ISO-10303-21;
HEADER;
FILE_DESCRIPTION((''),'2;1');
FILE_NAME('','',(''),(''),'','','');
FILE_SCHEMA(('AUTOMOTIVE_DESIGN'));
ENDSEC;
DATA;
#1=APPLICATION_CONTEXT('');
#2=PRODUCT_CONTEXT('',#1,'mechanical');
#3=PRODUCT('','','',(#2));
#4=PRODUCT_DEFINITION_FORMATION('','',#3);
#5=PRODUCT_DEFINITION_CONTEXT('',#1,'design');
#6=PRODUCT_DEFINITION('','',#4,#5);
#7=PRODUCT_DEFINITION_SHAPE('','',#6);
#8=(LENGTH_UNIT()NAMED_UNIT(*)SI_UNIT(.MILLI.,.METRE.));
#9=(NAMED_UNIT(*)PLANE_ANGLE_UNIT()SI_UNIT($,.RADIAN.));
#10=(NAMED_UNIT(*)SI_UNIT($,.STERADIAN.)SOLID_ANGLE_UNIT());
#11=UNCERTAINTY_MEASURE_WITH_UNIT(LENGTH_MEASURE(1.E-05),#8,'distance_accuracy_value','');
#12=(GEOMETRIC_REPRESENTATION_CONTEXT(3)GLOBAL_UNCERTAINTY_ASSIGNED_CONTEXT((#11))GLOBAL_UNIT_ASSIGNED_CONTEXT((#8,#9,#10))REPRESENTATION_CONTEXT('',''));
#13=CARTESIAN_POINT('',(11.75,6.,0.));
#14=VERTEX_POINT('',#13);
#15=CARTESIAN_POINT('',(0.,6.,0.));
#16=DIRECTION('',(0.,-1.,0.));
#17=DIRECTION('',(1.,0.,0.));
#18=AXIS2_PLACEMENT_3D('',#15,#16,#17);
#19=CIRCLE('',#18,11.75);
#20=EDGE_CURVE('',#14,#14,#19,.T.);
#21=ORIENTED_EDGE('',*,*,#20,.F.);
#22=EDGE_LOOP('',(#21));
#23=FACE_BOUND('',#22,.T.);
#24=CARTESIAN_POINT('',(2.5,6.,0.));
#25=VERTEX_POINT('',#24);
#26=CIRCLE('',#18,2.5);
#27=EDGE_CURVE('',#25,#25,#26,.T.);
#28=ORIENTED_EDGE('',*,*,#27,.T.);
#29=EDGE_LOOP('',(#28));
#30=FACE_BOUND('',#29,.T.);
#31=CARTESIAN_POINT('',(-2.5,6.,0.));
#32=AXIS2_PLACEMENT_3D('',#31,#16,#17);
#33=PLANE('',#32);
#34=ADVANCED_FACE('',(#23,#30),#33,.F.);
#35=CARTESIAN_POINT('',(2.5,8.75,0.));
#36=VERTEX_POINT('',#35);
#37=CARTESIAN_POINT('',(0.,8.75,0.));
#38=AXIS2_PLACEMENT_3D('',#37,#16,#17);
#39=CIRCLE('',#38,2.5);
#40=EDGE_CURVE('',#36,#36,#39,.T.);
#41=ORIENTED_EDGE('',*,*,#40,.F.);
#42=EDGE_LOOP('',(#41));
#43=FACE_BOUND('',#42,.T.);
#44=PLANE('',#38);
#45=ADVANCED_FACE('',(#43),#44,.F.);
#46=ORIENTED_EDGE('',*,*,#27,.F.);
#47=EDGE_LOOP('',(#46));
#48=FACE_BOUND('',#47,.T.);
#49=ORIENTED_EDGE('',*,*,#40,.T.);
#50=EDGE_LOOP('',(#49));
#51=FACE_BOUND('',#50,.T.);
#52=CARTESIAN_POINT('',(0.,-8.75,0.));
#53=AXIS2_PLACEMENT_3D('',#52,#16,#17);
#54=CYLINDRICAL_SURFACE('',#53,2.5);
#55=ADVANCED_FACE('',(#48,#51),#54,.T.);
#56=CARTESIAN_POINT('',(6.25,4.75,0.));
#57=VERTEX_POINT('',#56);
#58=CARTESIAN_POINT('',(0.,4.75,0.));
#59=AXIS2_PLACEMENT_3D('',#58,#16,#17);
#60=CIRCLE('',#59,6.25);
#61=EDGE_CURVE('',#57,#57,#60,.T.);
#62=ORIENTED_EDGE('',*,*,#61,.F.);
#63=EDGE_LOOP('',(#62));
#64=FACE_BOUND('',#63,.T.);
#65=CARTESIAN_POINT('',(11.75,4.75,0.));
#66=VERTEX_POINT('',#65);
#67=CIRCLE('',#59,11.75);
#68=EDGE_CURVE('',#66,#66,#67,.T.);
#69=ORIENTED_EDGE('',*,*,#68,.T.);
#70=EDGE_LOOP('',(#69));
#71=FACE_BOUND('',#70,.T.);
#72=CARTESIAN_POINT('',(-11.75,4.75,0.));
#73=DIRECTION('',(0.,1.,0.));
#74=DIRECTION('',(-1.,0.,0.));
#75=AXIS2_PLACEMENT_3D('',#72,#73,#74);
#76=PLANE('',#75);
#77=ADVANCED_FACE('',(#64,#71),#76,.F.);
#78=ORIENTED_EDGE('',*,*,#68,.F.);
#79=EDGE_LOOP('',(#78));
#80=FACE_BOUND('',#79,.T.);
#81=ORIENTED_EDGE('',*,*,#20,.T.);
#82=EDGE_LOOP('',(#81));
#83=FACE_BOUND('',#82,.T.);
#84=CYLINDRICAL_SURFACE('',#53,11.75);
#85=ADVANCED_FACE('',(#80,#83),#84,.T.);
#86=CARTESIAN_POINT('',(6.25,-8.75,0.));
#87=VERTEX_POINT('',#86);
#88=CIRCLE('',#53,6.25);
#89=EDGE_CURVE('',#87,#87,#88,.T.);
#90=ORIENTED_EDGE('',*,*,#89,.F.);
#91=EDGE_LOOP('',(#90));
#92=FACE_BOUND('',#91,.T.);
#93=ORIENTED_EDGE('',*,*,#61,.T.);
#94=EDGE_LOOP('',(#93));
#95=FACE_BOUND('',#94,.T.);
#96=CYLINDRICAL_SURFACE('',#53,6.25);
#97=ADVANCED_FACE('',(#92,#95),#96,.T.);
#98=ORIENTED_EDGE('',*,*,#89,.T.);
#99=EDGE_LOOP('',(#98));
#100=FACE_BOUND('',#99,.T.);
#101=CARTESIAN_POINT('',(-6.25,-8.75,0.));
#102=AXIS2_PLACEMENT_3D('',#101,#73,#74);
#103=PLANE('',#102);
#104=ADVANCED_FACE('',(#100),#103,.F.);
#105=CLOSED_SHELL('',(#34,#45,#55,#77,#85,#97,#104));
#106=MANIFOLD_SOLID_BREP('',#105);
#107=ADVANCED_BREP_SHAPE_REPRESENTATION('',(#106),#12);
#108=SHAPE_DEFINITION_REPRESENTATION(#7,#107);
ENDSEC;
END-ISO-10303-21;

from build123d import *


with BuildPart() as part:
    # Sketch1 → Revolve1 (revolve)
    with BuildSketch(Plane.XY):
        Polygon((0, -8.75), (0, 8.75), (-2.5, 8.75), (-2.5, 6), (-11.75, 6), (-11.75, 4.75), (-6.25, 4.75), (-6.25, -8.75), align=None)
    revolve(axis=Axis((0, -8.75, 0), (0, 1, 0)))


solid = part.part
